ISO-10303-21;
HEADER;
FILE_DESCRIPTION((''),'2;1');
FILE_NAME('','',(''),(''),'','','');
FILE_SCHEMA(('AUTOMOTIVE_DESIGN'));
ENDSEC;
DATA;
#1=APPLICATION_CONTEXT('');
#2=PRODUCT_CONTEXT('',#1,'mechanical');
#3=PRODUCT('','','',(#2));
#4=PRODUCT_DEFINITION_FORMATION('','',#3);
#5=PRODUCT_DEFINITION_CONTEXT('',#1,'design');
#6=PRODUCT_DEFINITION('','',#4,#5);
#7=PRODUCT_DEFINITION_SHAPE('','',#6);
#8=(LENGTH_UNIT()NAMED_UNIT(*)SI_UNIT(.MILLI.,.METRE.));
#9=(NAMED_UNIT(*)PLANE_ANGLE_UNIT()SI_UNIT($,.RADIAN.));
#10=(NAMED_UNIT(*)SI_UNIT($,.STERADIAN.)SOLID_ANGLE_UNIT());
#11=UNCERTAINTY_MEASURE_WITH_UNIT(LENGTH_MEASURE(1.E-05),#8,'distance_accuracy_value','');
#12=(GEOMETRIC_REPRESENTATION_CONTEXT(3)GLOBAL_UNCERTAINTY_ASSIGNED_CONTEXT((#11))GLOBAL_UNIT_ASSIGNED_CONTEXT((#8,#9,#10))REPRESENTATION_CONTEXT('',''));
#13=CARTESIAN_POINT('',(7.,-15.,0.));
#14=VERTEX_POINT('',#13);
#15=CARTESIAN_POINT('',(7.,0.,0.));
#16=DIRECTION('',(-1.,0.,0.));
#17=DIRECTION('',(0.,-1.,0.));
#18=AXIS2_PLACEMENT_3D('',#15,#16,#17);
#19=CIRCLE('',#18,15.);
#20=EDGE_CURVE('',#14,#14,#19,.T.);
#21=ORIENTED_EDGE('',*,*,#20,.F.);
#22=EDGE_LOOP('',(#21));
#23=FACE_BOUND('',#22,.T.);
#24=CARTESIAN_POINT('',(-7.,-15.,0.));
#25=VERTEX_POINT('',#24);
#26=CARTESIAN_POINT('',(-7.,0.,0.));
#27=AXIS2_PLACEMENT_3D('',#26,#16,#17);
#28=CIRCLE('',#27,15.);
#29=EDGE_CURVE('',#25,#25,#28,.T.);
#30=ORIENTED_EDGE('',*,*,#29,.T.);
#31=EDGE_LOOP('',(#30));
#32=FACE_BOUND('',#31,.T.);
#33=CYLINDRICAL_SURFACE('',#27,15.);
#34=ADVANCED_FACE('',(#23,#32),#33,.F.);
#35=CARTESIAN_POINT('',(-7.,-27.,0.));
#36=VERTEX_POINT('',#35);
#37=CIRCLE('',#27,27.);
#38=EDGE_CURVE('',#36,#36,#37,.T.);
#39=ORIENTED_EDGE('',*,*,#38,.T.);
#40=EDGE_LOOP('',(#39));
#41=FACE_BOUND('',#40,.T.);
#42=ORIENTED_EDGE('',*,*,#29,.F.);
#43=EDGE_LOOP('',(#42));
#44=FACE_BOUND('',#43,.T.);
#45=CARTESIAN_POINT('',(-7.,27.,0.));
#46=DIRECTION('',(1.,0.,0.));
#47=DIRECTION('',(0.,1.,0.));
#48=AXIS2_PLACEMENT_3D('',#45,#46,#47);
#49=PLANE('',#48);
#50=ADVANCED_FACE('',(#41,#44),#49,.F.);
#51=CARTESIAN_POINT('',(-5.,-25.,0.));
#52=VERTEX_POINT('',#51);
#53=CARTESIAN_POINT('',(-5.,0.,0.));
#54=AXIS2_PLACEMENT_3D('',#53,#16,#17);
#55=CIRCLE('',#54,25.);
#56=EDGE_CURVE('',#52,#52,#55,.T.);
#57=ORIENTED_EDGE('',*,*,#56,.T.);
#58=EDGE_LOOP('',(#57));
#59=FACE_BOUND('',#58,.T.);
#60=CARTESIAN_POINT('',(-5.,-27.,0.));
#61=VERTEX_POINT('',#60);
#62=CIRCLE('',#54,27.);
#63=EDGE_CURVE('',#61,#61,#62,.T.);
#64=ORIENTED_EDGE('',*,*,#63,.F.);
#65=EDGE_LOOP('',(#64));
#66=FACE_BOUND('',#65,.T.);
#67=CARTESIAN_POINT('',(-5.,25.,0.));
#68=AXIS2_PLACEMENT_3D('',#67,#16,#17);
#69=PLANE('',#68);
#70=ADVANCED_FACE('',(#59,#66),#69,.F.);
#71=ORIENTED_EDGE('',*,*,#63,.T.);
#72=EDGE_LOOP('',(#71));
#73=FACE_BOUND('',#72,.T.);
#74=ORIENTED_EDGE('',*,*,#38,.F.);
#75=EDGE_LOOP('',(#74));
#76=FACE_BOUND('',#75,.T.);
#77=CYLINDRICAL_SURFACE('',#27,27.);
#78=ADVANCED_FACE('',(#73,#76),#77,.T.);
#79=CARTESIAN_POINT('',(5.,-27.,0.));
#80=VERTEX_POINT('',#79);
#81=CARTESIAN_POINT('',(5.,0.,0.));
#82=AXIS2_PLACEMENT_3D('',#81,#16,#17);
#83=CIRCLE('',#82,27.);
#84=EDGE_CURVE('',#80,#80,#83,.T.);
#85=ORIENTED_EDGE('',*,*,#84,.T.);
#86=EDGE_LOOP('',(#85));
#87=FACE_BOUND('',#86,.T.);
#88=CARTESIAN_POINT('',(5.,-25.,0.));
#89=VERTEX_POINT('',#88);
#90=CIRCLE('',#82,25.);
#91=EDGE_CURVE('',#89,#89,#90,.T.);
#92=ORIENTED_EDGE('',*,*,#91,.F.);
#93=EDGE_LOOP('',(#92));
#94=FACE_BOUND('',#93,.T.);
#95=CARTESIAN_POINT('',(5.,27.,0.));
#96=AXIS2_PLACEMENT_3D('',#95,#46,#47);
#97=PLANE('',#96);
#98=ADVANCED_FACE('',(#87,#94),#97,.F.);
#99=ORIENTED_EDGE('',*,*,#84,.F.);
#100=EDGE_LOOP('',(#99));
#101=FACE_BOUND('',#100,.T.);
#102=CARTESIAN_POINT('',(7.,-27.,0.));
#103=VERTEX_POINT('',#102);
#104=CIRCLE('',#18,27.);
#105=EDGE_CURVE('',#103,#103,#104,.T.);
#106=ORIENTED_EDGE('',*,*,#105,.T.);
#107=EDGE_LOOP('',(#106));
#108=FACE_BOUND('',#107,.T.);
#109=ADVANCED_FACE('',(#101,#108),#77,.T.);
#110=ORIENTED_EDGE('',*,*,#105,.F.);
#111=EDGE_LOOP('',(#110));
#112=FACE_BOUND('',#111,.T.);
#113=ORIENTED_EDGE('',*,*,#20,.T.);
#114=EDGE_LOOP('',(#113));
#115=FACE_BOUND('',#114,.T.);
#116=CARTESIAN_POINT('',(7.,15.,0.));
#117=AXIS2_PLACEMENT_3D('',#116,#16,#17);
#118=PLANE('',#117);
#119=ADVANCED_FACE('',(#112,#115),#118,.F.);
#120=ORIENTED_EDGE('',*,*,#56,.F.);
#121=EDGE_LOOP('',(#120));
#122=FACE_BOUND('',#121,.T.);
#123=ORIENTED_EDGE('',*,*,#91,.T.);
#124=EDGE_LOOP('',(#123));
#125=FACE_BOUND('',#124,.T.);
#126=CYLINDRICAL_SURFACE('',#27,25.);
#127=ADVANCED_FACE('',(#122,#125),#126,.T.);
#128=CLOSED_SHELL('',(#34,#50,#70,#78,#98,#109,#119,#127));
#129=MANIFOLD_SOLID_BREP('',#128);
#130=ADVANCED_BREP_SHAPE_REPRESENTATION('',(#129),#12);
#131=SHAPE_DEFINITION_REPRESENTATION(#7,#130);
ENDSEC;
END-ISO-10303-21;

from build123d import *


with BuildPart() as part:
    # Sketch1 → Revolve1 (revolve)
    with BuildSketch(Plane.XY, mode=Mode.PRIVATE) as revolve1_sk:
        Polygon((7, 15), (7, 27), (5, 27), (5, 25), (-5, 25), (-5, 27), (-7, 27), (-7, 15), align=None)
    revolve(revolve1_sk.sketch.rotate(Axis((-7, 0, 0), (1, 0, 0)), 180), axis=Axis((-7, 0, 0), (1, 0, 0)))


solid = part.part
